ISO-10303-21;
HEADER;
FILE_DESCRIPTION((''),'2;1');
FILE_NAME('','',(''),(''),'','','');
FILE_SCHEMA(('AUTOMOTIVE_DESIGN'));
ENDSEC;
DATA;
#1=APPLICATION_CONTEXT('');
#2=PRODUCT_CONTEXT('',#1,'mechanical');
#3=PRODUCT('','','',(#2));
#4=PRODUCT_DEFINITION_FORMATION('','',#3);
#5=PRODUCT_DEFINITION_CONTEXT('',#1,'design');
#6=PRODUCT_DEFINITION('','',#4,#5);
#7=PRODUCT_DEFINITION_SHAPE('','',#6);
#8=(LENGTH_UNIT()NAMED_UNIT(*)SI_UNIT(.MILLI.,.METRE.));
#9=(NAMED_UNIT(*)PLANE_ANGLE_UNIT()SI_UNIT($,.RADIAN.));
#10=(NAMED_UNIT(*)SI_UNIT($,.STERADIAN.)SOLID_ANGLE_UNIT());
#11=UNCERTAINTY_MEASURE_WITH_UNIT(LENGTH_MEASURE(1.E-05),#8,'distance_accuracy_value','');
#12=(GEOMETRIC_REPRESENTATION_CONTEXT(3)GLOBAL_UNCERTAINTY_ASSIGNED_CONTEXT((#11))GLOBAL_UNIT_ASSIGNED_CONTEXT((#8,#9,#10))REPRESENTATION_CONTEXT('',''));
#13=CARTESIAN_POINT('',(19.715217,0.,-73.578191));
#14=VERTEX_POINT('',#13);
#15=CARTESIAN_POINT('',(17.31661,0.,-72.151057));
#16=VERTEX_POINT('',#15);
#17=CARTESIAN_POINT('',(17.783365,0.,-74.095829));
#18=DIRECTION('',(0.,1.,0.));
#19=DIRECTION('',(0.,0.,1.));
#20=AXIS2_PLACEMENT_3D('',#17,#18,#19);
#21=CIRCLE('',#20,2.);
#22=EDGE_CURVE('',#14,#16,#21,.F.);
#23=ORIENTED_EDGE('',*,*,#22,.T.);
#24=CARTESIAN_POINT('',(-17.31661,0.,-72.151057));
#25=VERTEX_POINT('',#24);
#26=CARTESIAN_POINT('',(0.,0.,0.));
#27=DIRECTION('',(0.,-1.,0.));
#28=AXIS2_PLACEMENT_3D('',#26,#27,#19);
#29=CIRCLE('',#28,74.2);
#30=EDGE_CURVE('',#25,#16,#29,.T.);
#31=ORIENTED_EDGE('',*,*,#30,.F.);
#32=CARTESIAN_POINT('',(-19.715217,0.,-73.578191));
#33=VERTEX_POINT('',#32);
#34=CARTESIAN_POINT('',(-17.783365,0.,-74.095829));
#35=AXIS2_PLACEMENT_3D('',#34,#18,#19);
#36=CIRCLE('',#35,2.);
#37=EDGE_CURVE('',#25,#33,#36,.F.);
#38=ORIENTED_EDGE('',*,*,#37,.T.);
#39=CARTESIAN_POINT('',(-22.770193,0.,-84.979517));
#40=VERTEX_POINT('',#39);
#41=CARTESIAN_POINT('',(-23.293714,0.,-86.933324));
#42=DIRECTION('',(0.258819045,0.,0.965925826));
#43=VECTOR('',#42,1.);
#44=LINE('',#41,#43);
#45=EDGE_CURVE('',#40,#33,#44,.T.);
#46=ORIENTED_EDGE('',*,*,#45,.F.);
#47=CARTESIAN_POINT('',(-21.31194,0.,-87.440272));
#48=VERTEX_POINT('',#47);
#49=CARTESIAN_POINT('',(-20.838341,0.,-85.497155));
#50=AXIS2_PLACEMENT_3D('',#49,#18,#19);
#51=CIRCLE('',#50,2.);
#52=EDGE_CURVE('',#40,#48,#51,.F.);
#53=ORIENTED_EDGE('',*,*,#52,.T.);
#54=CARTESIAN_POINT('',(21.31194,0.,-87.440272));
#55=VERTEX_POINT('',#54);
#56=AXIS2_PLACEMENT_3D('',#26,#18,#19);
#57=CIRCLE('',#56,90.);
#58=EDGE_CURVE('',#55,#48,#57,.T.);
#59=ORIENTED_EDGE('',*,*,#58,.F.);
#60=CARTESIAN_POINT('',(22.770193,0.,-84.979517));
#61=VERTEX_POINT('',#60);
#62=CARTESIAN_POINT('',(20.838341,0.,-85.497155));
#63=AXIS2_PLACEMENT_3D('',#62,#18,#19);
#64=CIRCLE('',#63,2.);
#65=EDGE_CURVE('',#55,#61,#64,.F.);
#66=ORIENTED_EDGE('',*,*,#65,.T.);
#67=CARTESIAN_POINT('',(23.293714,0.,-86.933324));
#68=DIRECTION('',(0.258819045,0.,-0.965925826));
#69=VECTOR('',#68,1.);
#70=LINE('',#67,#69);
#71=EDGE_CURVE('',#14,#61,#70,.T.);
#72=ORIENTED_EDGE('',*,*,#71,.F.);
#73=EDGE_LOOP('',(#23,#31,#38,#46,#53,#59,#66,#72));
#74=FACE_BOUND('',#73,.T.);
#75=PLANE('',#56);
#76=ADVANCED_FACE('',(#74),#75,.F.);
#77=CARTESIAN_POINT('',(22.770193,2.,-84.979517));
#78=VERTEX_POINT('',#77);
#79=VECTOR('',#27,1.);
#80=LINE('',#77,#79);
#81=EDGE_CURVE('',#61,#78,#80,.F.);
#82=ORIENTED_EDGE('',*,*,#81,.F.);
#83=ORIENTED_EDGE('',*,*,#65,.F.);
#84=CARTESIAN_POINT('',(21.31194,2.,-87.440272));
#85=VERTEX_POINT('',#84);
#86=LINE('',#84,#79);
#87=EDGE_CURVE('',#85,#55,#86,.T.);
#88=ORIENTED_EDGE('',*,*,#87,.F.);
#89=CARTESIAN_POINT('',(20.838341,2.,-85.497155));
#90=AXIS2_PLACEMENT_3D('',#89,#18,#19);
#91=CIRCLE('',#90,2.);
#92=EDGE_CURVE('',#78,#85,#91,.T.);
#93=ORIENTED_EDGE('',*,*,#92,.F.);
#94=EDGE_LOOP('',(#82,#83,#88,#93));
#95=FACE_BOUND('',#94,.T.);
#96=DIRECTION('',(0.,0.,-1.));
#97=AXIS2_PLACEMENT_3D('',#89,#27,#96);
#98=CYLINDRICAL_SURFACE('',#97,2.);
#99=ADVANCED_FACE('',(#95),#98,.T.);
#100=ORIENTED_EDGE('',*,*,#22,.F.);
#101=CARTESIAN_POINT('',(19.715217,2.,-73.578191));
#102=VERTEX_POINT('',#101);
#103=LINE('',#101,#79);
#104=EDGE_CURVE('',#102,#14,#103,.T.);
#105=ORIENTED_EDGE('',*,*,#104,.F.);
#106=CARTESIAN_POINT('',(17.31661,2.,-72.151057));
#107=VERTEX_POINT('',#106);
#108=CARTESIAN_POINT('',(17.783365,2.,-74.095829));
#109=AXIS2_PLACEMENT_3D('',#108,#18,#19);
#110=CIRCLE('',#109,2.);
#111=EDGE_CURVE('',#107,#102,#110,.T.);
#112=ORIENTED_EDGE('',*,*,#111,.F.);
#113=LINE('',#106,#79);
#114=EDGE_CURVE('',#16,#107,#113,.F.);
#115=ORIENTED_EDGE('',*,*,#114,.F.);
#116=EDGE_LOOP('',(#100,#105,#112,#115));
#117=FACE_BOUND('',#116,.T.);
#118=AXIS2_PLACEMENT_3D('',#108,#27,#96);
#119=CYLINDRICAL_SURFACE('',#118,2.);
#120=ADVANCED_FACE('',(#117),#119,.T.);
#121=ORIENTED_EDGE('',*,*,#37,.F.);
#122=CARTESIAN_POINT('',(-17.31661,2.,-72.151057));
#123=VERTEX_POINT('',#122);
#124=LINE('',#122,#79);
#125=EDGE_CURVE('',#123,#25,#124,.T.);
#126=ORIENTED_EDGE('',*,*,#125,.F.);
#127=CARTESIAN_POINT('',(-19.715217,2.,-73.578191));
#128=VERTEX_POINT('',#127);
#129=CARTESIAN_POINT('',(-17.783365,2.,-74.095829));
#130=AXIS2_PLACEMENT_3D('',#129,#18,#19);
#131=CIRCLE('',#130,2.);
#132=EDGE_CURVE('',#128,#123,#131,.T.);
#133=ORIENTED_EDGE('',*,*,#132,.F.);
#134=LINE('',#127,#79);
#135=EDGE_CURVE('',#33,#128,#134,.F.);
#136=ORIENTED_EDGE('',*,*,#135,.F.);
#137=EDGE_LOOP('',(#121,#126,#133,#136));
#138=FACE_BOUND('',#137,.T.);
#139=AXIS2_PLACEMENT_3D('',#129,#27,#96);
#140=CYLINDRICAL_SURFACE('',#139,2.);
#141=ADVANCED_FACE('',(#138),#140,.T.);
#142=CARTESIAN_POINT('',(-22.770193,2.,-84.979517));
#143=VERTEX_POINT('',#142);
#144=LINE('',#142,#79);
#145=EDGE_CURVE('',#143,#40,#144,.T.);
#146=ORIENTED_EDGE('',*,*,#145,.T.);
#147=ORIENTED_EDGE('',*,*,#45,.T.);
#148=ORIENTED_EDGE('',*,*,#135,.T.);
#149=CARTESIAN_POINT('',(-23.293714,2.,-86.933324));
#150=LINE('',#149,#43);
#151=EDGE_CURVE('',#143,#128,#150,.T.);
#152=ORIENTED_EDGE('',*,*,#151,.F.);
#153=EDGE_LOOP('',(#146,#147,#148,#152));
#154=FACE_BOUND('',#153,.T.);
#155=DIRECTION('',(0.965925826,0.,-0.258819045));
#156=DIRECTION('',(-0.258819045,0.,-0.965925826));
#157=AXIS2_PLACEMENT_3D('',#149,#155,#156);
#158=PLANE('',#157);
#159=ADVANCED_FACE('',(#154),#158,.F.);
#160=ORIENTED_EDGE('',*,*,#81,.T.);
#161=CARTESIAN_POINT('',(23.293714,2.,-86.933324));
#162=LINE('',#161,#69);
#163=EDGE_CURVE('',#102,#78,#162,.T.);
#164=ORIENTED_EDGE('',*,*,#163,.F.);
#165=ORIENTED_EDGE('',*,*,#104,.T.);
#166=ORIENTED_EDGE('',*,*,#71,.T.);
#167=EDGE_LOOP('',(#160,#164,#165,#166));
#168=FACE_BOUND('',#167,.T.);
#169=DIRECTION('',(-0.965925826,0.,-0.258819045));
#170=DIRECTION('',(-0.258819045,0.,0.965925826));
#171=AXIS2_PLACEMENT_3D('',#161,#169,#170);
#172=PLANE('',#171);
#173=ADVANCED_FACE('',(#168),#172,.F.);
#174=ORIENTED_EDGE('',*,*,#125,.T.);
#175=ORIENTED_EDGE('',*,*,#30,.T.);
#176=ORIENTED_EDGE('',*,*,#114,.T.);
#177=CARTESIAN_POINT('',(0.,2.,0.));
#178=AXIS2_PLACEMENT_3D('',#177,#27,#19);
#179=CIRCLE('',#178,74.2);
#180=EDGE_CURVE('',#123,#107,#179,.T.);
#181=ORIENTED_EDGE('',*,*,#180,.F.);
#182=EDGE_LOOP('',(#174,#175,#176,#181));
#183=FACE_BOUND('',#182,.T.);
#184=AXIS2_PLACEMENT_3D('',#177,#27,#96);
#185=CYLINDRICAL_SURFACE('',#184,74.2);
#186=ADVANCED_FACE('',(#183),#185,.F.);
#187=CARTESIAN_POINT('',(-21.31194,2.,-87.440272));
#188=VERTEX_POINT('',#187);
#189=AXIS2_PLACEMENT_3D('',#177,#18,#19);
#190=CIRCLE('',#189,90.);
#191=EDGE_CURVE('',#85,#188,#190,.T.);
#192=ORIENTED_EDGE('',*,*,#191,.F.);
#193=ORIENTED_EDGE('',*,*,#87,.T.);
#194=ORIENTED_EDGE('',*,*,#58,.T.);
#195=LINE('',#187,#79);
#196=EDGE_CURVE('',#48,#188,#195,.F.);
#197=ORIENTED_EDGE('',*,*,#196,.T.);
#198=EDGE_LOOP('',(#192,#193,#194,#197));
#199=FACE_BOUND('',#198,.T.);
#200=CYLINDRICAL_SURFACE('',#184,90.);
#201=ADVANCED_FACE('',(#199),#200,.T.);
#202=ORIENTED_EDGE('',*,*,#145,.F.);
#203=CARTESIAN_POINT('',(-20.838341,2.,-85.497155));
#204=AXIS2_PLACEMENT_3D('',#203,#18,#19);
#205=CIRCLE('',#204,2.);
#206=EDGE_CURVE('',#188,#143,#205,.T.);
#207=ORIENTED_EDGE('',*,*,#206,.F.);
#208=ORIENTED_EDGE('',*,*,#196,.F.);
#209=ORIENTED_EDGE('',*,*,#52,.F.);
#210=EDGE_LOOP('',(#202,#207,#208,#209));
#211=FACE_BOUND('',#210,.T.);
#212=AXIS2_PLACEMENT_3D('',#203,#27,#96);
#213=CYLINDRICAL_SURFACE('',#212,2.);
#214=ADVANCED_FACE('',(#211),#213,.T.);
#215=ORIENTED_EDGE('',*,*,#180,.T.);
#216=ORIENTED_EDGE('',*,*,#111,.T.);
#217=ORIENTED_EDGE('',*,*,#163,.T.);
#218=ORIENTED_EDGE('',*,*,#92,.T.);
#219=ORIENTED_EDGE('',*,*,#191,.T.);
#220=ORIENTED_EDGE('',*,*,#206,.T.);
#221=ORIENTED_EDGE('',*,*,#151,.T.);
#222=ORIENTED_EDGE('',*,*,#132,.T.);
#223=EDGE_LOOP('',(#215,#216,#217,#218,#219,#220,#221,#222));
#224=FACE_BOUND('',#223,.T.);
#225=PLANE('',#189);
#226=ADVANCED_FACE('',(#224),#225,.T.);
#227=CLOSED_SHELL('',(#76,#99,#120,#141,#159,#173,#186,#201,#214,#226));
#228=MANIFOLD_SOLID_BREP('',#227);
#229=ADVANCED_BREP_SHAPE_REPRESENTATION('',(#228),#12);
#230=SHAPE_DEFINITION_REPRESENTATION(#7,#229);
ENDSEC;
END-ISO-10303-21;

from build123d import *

# Parameters (mm, degrees)
BOSS_EXTRUDE1_DEPTH = 2
FILLET1_R           = 2


with BuildPart() as part:
    # Sketch1 → Boss-Extrude1 (new body)
    with BuildSketch(Plane(origin=(0, 0, 0), x_dir=(1, 0, 0), z_dir=(0, 1, 0))):
        with BuildLine():
            Line((-23.293714059, 86.933324366), (-19.204373147, 71.671696311))
            ThreePointArc((-19.204373147, 71.671696311), (0, 74.2), (19.204373147, 71.671696311))
            Line((19.204373147, 71.671696311), (23.293714059, 86.933324366))
            ThreePointArc((23.293714059, 86.933324366), (0, 90), (-23.293714059, 86.933324366))
        make_face()
    extrude(amount=BOSS_EXTRUDE1_DEPTH)

    # Fillet1
    fillet1_edges = [part.edges().sort_by_distance(p)[0] for p in [
        (23.293714059, 1, -86.933324366),
        (19.204373147, 1, -71.671696311),
        (-19.204373147, 1, -71.671696311),
        (-23.293714059, 1, -86.933324366),
    ]]
    fillet(fillet1_edges, radius=FILLET1_R)


solid = part.part
